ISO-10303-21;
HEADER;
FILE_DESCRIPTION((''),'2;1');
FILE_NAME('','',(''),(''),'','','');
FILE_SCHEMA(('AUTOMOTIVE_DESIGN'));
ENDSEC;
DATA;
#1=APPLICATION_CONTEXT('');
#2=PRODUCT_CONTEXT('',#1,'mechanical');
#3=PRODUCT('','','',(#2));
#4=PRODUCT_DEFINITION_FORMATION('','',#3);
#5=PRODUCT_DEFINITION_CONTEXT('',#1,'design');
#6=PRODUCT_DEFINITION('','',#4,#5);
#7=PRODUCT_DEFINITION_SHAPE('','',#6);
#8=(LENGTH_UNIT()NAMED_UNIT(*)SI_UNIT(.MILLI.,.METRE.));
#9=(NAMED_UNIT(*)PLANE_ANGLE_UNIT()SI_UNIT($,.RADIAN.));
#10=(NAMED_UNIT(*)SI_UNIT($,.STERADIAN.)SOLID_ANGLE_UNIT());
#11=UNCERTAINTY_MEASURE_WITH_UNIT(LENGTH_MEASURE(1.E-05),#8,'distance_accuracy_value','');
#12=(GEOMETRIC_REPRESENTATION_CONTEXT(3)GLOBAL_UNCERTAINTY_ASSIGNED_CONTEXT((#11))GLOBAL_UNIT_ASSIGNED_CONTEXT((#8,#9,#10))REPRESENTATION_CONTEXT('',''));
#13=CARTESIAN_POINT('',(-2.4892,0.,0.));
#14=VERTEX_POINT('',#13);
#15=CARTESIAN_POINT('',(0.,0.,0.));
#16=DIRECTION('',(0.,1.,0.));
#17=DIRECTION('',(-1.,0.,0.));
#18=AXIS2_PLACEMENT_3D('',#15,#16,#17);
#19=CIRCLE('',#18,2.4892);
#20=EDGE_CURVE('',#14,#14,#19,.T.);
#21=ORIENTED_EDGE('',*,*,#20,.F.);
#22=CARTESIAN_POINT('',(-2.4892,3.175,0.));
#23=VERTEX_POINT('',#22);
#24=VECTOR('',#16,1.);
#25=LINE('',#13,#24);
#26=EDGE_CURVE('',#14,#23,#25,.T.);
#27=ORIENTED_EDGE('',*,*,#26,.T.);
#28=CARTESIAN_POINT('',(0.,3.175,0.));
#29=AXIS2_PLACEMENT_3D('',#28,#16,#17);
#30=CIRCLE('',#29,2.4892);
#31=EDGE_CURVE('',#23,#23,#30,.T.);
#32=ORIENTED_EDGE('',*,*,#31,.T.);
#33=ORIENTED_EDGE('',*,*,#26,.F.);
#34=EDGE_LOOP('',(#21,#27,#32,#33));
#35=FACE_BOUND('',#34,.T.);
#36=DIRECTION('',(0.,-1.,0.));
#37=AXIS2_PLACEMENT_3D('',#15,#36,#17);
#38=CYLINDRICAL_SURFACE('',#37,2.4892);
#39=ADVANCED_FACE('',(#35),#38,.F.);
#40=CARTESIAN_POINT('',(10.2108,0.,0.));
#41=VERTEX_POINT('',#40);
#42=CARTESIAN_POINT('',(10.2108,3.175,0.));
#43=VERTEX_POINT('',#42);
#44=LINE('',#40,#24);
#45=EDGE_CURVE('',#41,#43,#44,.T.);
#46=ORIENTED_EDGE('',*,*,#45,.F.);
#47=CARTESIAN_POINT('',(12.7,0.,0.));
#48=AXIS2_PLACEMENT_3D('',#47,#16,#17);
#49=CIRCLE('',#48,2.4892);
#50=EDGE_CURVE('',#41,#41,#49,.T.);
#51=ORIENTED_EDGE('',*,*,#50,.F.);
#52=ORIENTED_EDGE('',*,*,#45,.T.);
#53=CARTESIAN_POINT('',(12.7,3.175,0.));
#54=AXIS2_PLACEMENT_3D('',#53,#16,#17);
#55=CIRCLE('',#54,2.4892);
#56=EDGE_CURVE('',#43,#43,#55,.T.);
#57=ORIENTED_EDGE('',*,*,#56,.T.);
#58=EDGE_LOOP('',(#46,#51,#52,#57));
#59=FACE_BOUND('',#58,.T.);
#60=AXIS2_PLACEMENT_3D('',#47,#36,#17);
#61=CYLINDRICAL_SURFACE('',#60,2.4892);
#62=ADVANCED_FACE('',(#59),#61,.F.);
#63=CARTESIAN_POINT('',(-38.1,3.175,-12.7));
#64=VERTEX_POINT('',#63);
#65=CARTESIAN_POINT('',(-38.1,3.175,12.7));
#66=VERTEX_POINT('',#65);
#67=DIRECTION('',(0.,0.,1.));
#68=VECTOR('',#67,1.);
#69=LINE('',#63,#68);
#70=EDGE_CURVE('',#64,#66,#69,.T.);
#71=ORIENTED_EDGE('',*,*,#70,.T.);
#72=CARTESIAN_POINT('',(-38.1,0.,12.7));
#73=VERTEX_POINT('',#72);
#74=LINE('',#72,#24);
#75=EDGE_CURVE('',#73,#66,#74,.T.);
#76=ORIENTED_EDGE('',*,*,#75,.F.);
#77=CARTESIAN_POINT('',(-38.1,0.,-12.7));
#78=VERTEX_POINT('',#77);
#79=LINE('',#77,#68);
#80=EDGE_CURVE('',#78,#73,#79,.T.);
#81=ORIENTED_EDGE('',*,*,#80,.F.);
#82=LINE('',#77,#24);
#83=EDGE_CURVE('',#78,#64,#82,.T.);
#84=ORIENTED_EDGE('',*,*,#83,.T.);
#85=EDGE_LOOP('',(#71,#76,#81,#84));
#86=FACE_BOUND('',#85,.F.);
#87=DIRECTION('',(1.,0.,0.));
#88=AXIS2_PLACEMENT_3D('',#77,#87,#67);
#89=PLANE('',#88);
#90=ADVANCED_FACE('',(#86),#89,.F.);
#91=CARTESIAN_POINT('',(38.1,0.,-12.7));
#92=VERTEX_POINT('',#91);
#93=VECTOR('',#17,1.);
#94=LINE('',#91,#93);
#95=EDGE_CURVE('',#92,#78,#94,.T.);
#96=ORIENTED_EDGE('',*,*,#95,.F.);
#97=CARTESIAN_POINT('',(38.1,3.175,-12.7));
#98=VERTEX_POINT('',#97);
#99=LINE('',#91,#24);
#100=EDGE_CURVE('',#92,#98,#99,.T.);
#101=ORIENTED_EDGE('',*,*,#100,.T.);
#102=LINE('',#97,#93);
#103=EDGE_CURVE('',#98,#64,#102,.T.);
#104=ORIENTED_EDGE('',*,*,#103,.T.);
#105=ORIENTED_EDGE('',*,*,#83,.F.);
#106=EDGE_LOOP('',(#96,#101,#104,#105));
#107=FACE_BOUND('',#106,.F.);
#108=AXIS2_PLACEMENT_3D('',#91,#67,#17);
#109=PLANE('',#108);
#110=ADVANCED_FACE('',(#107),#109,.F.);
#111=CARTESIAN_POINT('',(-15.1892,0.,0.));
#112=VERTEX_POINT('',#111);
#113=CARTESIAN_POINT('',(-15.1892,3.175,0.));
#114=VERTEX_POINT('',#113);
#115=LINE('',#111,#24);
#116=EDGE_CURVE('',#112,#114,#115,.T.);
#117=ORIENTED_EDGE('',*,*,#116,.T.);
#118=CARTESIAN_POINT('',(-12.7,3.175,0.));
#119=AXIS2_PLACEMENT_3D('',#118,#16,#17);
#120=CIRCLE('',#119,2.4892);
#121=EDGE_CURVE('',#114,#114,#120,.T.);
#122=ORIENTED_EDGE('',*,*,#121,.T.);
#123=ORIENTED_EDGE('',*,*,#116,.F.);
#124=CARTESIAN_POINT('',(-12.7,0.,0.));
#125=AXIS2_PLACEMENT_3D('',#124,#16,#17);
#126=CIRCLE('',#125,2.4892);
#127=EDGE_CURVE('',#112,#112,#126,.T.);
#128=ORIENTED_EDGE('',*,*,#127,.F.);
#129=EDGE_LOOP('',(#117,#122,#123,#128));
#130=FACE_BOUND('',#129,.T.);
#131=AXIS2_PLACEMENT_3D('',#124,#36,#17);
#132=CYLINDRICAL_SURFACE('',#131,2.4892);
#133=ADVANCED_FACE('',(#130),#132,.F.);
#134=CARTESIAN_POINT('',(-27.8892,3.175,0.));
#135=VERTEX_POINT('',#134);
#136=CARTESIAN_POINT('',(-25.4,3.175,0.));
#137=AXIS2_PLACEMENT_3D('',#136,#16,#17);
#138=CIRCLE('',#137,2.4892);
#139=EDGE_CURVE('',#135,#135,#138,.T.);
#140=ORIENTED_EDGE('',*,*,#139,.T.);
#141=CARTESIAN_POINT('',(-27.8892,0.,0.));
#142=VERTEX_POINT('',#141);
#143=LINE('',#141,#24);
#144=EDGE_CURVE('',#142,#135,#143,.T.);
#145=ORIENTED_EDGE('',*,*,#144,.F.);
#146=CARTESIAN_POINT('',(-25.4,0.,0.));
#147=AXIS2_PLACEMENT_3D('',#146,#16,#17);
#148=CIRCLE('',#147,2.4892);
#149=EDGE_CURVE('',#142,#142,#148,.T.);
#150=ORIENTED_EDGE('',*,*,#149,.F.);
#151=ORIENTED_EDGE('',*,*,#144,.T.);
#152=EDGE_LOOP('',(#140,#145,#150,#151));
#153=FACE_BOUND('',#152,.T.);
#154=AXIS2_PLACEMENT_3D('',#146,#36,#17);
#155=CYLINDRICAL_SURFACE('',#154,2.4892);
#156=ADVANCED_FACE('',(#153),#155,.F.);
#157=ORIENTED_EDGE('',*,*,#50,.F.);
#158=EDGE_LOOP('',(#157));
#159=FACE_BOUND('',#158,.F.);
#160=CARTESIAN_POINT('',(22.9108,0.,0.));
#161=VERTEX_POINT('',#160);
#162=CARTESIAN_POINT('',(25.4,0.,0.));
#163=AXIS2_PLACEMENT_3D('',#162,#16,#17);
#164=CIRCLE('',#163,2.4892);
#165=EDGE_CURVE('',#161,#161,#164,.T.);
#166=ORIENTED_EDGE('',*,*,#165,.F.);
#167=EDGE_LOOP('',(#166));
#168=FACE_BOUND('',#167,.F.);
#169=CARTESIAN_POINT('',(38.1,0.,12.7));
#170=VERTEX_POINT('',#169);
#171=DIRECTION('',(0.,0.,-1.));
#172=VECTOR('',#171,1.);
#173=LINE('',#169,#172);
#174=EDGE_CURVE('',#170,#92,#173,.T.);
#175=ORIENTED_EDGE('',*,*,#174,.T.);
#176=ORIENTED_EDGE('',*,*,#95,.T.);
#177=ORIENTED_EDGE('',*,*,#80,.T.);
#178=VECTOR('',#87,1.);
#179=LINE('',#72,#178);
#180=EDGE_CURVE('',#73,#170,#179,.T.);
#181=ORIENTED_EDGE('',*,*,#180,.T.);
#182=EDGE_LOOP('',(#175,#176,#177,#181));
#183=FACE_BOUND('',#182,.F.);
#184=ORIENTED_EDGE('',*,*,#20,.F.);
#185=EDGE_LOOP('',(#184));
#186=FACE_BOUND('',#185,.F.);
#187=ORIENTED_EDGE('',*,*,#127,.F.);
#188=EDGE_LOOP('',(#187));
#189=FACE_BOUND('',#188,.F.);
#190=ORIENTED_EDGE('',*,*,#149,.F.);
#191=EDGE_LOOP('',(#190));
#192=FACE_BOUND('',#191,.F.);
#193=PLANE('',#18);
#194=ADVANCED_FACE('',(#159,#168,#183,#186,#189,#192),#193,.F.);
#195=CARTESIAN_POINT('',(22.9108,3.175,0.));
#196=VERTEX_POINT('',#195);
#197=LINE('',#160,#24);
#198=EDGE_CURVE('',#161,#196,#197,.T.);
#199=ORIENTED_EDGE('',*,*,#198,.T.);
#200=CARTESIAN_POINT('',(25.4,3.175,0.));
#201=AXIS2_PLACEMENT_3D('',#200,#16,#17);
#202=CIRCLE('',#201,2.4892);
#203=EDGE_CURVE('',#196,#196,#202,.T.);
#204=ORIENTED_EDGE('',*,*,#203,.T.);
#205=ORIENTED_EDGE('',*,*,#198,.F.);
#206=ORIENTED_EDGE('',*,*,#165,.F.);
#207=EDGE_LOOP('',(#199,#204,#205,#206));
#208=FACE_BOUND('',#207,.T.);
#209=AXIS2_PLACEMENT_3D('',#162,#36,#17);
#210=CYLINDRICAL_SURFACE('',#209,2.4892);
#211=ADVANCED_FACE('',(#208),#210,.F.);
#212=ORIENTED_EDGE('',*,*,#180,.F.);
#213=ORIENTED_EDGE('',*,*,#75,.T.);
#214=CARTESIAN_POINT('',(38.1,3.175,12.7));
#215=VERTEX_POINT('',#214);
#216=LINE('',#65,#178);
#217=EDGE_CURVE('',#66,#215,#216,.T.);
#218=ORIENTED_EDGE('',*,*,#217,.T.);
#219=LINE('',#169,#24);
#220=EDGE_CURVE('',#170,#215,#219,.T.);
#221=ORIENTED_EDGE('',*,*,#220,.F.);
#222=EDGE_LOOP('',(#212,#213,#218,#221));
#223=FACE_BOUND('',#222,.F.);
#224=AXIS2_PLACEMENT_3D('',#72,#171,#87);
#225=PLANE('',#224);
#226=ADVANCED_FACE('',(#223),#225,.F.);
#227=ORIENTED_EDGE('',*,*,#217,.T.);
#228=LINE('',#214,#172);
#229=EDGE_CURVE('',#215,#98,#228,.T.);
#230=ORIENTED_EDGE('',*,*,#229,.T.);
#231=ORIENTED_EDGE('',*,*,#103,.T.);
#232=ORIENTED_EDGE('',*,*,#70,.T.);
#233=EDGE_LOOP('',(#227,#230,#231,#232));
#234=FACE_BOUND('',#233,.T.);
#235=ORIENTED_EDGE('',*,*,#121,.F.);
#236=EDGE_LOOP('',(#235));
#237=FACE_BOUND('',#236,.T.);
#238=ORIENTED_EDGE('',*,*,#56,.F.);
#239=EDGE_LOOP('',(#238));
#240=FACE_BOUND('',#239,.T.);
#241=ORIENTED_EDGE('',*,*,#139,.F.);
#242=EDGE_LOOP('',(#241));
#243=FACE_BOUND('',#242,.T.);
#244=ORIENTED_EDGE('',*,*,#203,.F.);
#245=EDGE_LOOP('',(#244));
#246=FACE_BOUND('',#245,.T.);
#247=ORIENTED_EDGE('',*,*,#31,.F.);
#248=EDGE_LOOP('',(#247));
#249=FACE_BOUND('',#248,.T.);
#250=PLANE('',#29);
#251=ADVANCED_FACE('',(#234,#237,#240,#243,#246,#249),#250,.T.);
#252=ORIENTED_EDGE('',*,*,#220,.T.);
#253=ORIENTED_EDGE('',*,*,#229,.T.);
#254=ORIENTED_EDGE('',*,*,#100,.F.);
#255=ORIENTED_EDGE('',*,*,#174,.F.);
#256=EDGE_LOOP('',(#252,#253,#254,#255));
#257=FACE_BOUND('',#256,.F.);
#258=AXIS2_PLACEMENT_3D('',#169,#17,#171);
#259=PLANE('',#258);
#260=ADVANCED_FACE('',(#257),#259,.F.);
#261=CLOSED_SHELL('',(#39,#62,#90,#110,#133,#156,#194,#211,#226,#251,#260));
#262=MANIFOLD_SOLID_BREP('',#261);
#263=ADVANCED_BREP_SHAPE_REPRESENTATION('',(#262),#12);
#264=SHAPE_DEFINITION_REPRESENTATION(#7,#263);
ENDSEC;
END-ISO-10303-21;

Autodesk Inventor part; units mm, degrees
ref_plane "YZ Plane" through (0, 0, 0) normal (1, 0, 0) x (0, 1, 0)
ref_plane "XZ Plane" through (0, 0, 0) normal (0, 1, 0) x (-1, 0, 0)
ref_plane "XY Plane" through (0, 0, 0) normal (0, 0, 1) x (1, 0, 0)
sketch "Sketch1" plane through (0, 0, 0) normal (0, 1, 0) x (-1, 0, 0)
  line L0 (38.1, 12.7) -> (-38.1, 12.7)
  line L1 (-38.1, 12.7) -> (-38.1, -12.7)
  line L2 (-38.1, -12.7) -> (38.1, -12.7)
  line L3 (38.1, -12.7) -> (38.1, 12.7)
  line L4 (38.1, 12.7) -> (-38.1, -12.7) construction
  line L5 (-38.1, 12.7) -> (38.1, -12.7) construction
  circle A0 centre (25.4, 0) radius 2.4892
  circle A1 centre (12.7, 0) radius 2.4892
  circle A2 centre (0, 0) radius 2.4892
  circle A3 centre (-12.7, 0) radius 2.4892
  circle A4 centre (-25.4, 0) radius 2.4892
  point P0 (0, 0)
  point P1 (38.1, 0)
  dimension "d0" = 76.2
  dimension "d1" = 25.4
  dimension "d2" = 4.9784
  dimension "d3" = 12.7
  dimension "d4" = 12.7
  dimension "d7" = 12.7
  dimension "d12" = 12.7
  dimension "d13" = 12.7
extrude "Extrusion1" add sketch "Sketch1" along normal blind 3.175
properties part number "1x5-Grid-Gusset"
